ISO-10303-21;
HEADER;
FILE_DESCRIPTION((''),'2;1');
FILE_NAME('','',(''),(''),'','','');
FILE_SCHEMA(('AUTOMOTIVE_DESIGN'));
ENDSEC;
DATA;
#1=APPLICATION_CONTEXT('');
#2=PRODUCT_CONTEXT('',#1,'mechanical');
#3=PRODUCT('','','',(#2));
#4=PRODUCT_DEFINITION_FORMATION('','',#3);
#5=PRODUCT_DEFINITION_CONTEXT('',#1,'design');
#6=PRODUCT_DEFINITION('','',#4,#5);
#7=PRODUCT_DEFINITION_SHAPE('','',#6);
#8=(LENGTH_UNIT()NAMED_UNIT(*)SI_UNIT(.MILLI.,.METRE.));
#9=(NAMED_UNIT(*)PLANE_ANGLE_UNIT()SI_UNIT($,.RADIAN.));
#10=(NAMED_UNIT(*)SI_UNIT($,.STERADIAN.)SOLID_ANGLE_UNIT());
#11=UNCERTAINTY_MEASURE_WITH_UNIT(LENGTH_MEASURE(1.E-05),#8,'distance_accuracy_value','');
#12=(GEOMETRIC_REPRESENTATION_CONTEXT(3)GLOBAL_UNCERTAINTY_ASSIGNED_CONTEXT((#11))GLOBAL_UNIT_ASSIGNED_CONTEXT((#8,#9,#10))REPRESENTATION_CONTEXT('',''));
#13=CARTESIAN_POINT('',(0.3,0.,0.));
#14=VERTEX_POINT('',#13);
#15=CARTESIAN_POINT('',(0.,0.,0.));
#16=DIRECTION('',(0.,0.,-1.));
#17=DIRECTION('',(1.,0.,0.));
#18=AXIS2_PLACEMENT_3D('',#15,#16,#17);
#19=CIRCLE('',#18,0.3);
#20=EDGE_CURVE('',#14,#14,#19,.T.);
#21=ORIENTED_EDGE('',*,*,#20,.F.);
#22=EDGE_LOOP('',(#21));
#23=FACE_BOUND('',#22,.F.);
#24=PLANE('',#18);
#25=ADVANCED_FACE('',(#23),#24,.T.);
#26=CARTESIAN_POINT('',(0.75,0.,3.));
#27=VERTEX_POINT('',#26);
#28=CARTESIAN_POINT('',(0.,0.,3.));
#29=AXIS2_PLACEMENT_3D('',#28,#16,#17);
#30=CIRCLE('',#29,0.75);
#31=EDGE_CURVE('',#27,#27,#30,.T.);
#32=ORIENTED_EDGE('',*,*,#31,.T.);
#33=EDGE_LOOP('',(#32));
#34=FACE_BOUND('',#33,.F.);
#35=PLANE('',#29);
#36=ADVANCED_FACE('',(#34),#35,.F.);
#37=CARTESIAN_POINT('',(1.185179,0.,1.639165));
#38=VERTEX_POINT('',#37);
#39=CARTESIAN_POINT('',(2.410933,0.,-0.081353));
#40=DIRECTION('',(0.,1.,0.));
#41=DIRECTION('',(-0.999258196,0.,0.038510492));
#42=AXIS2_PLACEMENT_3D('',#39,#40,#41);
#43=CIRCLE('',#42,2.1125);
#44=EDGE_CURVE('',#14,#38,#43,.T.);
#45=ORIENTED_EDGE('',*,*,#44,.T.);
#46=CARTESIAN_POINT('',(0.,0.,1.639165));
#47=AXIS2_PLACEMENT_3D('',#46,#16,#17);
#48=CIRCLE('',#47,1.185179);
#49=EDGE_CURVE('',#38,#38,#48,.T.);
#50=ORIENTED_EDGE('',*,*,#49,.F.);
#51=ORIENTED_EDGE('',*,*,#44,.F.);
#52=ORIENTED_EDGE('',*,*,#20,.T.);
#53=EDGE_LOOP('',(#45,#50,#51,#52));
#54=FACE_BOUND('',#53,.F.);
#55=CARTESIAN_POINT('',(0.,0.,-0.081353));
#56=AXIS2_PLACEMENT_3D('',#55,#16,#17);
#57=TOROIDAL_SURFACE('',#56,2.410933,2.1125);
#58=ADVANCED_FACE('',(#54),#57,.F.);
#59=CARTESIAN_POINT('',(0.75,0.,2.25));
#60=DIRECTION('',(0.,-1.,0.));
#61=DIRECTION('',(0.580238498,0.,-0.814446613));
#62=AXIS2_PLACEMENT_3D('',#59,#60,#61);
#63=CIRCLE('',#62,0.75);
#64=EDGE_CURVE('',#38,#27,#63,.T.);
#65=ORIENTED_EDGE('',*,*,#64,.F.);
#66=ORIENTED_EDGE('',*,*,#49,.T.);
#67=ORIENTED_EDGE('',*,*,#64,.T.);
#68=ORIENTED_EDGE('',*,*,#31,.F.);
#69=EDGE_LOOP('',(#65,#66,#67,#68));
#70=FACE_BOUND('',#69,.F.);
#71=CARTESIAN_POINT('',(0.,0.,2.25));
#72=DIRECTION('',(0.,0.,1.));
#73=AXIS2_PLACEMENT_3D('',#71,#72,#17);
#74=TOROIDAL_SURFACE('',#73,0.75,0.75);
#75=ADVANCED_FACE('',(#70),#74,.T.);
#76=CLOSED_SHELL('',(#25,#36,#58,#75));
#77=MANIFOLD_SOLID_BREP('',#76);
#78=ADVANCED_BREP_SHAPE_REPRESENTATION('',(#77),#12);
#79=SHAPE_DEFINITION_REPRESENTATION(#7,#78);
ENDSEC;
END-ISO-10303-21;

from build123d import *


with BuildPart() as f1:
    # F0 (on Front) → F1 (revolve)
    with BuildSketch(Plane.XZ):
        with BuildLine():
            Line((0.75, 3), (0, 3))
            Line((0, 3), (0, 0))
            Line((0, 0), (0.3, 0))
            ThreePointArc((0.3, 0), (0.552147, 0.922425), (1.185179, 1.639165))
            ThreePointArc((1.185179, 1.639165), (1.464362, 2.478445), (0.75, 3))
        make_face()
    revolve(axis=Axis((0, 0, 21.948844), (0, 0, -1)))


solid = f1.part
